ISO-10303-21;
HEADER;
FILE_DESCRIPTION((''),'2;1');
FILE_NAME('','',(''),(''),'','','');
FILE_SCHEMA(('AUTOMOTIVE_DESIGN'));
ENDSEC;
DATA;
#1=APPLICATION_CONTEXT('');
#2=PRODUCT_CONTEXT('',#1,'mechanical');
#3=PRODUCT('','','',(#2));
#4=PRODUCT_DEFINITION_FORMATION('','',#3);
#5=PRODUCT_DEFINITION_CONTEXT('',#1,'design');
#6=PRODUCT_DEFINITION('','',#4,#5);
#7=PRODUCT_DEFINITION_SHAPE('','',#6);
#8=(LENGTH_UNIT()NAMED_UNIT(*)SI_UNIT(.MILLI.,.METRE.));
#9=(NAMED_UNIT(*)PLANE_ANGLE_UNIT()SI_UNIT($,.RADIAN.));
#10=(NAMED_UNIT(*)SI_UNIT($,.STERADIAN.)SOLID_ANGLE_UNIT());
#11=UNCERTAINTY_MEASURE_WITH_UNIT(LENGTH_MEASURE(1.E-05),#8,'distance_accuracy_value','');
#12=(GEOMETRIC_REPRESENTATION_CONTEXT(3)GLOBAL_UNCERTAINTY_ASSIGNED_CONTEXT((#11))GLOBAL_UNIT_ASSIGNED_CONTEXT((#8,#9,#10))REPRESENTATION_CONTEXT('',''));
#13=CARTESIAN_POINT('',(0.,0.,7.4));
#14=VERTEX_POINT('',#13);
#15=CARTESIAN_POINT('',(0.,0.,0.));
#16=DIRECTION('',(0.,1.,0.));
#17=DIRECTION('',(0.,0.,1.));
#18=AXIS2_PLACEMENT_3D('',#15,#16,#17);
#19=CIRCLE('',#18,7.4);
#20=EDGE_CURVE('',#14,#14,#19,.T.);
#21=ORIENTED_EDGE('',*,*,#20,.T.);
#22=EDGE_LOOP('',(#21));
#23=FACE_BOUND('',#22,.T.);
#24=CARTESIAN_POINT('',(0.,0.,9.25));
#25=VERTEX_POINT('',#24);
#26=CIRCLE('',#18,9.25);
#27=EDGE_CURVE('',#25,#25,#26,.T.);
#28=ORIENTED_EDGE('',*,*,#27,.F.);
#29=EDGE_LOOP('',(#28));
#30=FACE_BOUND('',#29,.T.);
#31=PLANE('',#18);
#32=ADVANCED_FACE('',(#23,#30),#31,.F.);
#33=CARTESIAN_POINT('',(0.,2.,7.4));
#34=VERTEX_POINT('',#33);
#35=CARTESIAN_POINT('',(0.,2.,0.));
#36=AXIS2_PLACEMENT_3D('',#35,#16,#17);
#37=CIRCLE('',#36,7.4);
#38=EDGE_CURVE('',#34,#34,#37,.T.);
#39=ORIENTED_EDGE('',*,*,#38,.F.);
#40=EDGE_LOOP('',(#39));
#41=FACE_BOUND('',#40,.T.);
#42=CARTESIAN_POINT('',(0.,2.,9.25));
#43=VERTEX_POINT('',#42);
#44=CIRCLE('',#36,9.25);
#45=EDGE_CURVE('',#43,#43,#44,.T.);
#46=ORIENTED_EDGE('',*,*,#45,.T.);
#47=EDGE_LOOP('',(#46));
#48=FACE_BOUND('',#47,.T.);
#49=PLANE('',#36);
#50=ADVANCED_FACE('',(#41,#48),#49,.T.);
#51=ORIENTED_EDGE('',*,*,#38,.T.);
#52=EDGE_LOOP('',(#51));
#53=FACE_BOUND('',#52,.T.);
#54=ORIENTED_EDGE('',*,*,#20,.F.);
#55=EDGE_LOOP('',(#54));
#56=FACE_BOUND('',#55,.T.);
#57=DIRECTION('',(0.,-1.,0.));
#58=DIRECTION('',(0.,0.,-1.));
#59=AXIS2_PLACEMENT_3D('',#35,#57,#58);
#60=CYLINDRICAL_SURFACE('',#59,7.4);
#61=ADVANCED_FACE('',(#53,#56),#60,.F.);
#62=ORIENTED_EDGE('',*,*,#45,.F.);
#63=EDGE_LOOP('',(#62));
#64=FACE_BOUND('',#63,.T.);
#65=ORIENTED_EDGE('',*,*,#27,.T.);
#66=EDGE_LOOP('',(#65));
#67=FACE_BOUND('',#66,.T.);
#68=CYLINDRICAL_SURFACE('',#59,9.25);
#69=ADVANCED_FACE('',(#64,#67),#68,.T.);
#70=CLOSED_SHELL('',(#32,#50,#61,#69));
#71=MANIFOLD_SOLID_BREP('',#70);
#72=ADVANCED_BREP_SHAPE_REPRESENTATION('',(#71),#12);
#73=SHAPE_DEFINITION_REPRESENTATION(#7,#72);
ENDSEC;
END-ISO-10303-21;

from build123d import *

# Parameters (mm, degrees)
SKIZZE1_R                       = 9.25
SKIZZE1_R_2                     = 7.4
AUFSATZ_LINEAR_AUSTRAGEN1_DEPTH = 2


with BuildPart() as part:
    # Skizze1 → Aufsatz-Linear austragen1 (new body)
    with BuildSketch(Plane(origin=(0, 0, 0), x_dir=(1, 0, 0), z_dir=(0, 1, 0))):
        Circle(SKIZZE1_R)
        Circle(SKIZZE1_R_2, mode=Mode.SUBTRACT)
    extrude(amount=AUFSATZ_LINEAR_AUSTRAGEN1_DEPTH)


solid = part.part
